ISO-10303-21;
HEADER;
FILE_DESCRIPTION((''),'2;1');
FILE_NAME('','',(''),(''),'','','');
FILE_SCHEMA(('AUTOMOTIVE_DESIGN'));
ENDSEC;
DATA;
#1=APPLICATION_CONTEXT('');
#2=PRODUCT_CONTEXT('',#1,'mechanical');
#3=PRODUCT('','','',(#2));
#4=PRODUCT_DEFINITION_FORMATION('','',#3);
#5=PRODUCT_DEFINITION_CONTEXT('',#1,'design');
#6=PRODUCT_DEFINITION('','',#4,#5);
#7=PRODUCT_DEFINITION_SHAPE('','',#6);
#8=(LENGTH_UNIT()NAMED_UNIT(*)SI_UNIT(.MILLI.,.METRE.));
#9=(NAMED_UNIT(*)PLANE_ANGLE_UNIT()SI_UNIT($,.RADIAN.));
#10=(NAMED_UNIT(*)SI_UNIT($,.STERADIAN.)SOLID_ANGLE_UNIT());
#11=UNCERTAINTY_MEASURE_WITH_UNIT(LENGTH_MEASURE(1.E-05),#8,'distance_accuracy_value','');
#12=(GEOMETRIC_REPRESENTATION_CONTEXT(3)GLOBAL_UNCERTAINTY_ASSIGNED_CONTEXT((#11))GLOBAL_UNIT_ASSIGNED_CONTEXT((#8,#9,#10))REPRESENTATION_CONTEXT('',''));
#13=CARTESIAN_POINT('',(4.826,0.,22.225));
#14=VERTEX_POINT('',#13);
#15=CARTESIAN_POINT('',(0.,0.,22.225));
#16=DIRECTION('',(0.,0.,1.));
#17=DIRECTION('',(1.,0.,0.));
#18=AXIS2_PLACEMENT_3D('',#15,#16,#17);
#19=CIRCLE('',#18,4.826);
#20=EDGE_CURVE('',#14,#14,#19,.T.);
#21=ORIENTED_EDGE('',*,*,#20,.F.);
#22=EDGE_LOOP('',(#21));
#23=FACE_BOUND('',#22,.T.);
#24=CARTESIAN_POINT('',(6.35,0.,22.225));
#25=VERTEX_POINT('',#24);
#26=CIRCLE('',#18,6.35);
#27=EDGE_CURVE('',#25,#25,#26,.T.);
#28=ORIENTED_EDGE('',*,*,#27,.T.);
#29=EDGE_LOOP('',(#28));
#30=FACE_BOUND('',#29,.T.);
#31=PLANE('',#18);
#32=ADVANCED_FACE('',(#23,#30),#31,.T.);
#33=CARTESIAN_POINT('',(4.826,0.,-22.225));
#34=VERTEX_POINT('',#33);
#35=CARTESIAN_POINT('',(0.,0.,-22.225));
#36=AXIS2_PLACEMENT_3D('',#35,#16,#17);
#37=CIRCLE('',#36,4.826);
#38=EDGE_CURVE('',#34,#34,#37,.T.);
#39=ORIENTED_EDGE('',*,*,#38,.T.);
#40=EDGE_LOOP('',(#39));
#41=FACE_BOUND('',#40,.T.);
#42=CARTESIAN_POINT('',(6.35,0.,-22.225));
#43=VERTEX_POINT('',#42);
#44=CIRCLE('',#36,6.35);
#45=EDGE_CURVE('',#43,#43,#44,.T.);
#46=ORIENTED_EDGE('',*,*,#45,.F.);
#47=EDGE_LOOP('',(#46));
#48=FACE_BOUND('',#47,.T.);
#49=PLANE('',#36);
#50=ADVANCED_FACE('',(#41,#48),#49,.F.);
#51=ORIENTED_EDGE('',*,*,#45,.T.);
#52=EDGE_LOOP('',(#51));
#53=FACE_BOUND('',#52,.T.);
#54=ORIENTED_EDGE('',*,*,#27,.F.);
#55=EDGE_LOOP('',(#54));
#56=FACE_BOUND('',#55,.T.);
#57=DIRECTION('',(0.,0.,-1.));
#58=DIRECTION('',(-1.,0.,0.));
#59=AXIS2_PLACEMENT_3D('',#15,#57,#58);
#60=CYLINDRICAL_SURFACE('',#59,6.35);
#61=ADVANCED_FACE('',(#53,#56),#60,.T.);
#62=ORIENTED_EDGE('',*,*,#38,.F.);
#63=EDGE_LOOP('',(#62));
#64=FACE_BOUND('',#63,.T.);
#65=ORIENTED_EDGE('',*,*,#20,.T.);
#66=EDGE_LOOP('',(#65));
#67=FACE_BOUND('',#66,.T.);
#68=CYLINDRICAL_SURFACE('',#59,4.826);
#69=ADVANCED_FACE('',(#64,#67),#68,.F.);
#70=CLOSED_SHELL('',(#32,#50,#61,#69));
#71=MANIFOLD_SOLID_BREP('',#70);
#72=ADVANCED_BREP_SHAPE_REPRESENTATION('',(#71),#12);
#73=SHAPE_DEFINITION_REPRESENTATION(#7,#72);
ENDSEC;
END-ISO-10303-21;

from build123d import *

# Parameters (mm, degrees)
SKETCH1_R           = 6.35
SKETCH1_R_2         = 4.826
BOSS_EXTRUDE1_DEPTH = 22.225


with BuildPart() as part:
    # Sketch1 → Boss-Extrude1 (new, symmetric)
    with BuildSketch(Plane.XY):
        Circle(SKETCH1_R)
        Circle(SKETCH1_R_2, mode=Mode.SUBTRACT)
    extrude(amount=BOSS_EXTRUDE1_DEPTH, both=True)


solid = part.part
